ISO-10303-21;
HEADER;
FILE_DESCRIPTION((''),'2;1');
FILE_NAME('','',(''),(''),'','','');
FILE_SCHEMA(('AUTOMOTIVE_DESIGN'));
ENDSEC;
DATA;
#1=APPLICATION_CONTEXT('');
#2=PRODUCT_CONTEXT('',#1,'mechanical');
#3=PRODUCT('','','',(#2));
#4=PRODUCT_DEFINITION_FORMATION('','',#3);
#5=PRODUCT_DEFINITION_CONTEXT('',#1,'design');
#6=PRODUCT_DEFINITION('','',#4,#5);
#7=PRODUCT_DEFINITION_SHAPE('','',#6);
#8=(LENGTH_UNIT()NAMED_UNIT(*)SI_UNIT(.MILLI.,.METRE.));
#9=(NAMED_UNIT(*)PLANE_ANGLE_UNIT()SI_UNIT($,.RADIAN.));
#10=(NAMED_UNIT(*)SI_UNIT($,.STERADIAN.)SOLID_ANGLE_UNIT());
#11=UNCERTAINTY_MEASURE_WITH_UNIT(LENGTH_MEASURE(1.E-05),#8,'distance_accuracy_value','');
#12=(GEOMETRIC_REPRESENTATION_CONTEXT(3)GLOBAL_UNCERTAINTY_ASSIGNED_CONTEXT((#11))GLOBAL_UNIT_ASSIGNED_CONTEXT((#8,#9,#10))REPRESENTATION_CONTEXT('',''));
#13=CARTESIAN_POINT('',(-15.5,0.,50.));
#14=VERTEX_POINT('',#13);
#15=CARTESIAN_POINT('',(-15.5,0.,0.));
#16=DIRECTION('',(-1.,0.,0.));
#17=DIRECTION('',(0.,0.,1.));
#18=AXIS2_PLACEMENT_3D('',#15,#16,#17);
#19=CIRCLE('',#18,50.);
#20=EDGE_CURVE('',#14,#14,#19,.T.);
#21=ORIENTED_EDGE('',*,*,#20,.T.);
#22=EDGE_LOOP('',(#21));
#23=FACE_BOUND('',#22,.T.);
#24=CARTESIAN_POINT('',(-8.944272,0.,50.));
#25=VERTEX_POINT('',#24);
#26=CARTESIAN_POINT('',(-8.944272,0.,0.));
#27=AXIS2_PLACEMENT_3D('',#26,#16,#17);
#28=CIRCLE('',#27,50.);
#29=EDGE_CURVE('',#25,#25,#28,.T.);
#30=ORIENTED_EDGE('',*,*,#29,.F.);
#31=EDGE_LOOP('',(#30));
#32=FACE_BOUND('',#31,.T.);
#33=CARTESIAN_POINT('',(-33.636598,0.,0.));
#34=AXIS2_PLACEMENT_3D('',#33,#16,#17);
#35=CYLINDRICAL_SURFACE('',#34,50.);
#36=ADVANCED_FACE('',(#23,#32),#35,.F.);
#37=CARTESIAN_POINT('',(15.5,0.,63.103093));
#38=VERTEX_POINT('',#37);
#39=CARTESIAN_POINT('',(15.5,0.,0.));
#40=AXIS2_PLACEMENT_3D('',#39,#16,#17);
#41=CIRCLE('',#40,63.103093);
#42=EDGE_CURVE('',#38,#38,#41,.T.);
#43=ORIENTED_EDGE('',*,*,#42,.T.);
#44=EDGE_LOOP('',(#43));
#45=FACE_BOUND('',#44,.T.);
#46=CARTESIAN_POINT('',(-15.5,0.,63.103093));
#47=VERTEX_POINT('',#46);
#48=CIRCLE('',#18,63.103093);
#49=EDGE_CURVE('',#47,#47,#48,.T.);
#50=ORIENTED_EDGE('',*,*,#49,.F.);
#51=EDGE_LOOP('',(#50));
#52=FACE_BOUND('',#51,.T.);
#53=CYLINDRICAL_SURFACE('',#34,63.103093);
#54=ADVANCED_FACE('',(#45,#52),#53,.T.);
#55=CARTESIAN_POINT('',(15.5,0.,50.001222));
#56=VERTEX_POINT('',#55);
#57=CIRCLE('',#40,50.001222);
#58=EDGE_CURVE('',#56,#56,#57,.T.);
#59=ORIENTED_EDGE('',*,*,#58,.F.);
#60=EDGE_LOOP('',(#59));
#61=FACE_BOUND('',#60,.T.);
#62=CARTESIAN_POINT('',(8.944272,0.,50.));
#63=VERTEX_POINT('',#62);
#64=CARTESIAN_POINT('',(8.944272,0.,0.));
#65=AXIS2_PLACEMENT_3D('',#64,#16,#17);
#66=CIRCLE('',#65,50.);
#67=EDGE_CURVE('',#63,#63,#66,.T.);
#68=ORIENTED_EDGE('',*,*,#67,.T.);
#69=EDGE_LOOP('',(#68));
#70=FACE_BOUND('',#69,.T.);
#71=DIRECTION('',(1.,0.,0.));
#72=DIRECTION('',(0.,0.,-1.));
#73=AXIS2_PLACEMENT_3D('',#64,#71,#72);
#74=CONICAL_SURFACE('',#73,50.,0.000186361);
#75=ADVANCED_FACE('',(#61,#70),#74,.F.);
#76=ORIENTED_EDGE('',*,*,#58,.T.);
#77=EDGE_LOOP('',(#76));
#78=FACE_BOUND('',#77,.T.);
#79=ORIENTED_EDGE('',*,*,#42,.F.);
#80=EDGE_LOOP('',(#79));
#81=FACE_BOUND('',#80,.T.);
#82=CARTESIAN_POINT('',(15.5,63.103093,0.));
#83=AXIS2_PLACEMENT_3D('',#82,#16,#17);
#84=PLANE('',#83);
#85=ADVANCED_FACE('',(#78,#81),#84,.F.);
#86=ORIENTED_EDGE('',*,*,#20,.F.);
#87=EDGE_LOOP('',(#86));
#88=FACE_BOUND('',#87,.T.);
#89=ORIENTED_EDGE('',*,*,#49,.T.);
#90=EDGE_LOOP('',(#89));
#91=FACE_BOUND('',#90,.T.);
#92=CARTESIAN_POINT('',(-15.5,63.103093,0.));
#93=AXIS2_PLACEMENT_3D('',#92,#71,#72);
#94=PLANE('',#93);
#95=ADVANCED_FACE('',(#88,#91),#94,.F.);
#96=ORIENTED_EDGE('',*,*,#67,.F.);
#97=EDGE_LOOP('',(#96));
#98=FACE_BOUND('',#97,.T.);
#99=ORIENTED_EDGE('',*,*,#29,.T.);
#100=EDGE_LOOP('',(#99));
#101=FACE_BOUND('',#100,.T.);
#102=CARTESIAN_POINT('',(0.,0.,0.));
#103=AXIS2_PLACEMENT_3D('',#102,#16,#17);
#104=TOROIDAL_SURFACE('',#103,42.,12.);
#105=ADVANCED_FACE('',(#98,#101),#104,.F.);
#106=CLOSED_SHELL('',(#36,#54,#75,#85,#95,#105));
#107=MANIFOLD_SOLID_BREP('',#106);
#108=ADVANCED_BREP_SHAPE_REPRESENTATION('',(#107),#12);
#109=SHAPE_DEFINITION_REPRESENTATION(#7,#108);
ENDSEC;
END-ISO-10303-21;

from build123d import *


with BuildPart() as part:
    # Sketch1 → Revolve3 (revolve)
    with BuildSketch(Plane.XY, mode=Mode.PRIVATE) as revolve3_sk:
        with BuildLine():
            Line((-15.5, 63.103092784), (15.5, 63.103092784))
            Line((15.5, 63.103092784), (15.5, 50.001221734))
            Line((15.5, 50.001221734), (8.94427191, 50))
            ThreePointArc((8.94427191, 50), (0, 54), (-8.94427191, 50))
            Line((-8.94427191, 50), (-15.5, 50))
            Line((-15.5, 50), (-15.5, 63.103092784))
        make_face()
    revolve(revolve3_sk.sketch.rotate(Axis((-33.636597938, 0, 0), (1, 0, 0)), 90), axis=Axis((-33.636597938, 0, 0), (1, 0, 0)))


solid = part.part
